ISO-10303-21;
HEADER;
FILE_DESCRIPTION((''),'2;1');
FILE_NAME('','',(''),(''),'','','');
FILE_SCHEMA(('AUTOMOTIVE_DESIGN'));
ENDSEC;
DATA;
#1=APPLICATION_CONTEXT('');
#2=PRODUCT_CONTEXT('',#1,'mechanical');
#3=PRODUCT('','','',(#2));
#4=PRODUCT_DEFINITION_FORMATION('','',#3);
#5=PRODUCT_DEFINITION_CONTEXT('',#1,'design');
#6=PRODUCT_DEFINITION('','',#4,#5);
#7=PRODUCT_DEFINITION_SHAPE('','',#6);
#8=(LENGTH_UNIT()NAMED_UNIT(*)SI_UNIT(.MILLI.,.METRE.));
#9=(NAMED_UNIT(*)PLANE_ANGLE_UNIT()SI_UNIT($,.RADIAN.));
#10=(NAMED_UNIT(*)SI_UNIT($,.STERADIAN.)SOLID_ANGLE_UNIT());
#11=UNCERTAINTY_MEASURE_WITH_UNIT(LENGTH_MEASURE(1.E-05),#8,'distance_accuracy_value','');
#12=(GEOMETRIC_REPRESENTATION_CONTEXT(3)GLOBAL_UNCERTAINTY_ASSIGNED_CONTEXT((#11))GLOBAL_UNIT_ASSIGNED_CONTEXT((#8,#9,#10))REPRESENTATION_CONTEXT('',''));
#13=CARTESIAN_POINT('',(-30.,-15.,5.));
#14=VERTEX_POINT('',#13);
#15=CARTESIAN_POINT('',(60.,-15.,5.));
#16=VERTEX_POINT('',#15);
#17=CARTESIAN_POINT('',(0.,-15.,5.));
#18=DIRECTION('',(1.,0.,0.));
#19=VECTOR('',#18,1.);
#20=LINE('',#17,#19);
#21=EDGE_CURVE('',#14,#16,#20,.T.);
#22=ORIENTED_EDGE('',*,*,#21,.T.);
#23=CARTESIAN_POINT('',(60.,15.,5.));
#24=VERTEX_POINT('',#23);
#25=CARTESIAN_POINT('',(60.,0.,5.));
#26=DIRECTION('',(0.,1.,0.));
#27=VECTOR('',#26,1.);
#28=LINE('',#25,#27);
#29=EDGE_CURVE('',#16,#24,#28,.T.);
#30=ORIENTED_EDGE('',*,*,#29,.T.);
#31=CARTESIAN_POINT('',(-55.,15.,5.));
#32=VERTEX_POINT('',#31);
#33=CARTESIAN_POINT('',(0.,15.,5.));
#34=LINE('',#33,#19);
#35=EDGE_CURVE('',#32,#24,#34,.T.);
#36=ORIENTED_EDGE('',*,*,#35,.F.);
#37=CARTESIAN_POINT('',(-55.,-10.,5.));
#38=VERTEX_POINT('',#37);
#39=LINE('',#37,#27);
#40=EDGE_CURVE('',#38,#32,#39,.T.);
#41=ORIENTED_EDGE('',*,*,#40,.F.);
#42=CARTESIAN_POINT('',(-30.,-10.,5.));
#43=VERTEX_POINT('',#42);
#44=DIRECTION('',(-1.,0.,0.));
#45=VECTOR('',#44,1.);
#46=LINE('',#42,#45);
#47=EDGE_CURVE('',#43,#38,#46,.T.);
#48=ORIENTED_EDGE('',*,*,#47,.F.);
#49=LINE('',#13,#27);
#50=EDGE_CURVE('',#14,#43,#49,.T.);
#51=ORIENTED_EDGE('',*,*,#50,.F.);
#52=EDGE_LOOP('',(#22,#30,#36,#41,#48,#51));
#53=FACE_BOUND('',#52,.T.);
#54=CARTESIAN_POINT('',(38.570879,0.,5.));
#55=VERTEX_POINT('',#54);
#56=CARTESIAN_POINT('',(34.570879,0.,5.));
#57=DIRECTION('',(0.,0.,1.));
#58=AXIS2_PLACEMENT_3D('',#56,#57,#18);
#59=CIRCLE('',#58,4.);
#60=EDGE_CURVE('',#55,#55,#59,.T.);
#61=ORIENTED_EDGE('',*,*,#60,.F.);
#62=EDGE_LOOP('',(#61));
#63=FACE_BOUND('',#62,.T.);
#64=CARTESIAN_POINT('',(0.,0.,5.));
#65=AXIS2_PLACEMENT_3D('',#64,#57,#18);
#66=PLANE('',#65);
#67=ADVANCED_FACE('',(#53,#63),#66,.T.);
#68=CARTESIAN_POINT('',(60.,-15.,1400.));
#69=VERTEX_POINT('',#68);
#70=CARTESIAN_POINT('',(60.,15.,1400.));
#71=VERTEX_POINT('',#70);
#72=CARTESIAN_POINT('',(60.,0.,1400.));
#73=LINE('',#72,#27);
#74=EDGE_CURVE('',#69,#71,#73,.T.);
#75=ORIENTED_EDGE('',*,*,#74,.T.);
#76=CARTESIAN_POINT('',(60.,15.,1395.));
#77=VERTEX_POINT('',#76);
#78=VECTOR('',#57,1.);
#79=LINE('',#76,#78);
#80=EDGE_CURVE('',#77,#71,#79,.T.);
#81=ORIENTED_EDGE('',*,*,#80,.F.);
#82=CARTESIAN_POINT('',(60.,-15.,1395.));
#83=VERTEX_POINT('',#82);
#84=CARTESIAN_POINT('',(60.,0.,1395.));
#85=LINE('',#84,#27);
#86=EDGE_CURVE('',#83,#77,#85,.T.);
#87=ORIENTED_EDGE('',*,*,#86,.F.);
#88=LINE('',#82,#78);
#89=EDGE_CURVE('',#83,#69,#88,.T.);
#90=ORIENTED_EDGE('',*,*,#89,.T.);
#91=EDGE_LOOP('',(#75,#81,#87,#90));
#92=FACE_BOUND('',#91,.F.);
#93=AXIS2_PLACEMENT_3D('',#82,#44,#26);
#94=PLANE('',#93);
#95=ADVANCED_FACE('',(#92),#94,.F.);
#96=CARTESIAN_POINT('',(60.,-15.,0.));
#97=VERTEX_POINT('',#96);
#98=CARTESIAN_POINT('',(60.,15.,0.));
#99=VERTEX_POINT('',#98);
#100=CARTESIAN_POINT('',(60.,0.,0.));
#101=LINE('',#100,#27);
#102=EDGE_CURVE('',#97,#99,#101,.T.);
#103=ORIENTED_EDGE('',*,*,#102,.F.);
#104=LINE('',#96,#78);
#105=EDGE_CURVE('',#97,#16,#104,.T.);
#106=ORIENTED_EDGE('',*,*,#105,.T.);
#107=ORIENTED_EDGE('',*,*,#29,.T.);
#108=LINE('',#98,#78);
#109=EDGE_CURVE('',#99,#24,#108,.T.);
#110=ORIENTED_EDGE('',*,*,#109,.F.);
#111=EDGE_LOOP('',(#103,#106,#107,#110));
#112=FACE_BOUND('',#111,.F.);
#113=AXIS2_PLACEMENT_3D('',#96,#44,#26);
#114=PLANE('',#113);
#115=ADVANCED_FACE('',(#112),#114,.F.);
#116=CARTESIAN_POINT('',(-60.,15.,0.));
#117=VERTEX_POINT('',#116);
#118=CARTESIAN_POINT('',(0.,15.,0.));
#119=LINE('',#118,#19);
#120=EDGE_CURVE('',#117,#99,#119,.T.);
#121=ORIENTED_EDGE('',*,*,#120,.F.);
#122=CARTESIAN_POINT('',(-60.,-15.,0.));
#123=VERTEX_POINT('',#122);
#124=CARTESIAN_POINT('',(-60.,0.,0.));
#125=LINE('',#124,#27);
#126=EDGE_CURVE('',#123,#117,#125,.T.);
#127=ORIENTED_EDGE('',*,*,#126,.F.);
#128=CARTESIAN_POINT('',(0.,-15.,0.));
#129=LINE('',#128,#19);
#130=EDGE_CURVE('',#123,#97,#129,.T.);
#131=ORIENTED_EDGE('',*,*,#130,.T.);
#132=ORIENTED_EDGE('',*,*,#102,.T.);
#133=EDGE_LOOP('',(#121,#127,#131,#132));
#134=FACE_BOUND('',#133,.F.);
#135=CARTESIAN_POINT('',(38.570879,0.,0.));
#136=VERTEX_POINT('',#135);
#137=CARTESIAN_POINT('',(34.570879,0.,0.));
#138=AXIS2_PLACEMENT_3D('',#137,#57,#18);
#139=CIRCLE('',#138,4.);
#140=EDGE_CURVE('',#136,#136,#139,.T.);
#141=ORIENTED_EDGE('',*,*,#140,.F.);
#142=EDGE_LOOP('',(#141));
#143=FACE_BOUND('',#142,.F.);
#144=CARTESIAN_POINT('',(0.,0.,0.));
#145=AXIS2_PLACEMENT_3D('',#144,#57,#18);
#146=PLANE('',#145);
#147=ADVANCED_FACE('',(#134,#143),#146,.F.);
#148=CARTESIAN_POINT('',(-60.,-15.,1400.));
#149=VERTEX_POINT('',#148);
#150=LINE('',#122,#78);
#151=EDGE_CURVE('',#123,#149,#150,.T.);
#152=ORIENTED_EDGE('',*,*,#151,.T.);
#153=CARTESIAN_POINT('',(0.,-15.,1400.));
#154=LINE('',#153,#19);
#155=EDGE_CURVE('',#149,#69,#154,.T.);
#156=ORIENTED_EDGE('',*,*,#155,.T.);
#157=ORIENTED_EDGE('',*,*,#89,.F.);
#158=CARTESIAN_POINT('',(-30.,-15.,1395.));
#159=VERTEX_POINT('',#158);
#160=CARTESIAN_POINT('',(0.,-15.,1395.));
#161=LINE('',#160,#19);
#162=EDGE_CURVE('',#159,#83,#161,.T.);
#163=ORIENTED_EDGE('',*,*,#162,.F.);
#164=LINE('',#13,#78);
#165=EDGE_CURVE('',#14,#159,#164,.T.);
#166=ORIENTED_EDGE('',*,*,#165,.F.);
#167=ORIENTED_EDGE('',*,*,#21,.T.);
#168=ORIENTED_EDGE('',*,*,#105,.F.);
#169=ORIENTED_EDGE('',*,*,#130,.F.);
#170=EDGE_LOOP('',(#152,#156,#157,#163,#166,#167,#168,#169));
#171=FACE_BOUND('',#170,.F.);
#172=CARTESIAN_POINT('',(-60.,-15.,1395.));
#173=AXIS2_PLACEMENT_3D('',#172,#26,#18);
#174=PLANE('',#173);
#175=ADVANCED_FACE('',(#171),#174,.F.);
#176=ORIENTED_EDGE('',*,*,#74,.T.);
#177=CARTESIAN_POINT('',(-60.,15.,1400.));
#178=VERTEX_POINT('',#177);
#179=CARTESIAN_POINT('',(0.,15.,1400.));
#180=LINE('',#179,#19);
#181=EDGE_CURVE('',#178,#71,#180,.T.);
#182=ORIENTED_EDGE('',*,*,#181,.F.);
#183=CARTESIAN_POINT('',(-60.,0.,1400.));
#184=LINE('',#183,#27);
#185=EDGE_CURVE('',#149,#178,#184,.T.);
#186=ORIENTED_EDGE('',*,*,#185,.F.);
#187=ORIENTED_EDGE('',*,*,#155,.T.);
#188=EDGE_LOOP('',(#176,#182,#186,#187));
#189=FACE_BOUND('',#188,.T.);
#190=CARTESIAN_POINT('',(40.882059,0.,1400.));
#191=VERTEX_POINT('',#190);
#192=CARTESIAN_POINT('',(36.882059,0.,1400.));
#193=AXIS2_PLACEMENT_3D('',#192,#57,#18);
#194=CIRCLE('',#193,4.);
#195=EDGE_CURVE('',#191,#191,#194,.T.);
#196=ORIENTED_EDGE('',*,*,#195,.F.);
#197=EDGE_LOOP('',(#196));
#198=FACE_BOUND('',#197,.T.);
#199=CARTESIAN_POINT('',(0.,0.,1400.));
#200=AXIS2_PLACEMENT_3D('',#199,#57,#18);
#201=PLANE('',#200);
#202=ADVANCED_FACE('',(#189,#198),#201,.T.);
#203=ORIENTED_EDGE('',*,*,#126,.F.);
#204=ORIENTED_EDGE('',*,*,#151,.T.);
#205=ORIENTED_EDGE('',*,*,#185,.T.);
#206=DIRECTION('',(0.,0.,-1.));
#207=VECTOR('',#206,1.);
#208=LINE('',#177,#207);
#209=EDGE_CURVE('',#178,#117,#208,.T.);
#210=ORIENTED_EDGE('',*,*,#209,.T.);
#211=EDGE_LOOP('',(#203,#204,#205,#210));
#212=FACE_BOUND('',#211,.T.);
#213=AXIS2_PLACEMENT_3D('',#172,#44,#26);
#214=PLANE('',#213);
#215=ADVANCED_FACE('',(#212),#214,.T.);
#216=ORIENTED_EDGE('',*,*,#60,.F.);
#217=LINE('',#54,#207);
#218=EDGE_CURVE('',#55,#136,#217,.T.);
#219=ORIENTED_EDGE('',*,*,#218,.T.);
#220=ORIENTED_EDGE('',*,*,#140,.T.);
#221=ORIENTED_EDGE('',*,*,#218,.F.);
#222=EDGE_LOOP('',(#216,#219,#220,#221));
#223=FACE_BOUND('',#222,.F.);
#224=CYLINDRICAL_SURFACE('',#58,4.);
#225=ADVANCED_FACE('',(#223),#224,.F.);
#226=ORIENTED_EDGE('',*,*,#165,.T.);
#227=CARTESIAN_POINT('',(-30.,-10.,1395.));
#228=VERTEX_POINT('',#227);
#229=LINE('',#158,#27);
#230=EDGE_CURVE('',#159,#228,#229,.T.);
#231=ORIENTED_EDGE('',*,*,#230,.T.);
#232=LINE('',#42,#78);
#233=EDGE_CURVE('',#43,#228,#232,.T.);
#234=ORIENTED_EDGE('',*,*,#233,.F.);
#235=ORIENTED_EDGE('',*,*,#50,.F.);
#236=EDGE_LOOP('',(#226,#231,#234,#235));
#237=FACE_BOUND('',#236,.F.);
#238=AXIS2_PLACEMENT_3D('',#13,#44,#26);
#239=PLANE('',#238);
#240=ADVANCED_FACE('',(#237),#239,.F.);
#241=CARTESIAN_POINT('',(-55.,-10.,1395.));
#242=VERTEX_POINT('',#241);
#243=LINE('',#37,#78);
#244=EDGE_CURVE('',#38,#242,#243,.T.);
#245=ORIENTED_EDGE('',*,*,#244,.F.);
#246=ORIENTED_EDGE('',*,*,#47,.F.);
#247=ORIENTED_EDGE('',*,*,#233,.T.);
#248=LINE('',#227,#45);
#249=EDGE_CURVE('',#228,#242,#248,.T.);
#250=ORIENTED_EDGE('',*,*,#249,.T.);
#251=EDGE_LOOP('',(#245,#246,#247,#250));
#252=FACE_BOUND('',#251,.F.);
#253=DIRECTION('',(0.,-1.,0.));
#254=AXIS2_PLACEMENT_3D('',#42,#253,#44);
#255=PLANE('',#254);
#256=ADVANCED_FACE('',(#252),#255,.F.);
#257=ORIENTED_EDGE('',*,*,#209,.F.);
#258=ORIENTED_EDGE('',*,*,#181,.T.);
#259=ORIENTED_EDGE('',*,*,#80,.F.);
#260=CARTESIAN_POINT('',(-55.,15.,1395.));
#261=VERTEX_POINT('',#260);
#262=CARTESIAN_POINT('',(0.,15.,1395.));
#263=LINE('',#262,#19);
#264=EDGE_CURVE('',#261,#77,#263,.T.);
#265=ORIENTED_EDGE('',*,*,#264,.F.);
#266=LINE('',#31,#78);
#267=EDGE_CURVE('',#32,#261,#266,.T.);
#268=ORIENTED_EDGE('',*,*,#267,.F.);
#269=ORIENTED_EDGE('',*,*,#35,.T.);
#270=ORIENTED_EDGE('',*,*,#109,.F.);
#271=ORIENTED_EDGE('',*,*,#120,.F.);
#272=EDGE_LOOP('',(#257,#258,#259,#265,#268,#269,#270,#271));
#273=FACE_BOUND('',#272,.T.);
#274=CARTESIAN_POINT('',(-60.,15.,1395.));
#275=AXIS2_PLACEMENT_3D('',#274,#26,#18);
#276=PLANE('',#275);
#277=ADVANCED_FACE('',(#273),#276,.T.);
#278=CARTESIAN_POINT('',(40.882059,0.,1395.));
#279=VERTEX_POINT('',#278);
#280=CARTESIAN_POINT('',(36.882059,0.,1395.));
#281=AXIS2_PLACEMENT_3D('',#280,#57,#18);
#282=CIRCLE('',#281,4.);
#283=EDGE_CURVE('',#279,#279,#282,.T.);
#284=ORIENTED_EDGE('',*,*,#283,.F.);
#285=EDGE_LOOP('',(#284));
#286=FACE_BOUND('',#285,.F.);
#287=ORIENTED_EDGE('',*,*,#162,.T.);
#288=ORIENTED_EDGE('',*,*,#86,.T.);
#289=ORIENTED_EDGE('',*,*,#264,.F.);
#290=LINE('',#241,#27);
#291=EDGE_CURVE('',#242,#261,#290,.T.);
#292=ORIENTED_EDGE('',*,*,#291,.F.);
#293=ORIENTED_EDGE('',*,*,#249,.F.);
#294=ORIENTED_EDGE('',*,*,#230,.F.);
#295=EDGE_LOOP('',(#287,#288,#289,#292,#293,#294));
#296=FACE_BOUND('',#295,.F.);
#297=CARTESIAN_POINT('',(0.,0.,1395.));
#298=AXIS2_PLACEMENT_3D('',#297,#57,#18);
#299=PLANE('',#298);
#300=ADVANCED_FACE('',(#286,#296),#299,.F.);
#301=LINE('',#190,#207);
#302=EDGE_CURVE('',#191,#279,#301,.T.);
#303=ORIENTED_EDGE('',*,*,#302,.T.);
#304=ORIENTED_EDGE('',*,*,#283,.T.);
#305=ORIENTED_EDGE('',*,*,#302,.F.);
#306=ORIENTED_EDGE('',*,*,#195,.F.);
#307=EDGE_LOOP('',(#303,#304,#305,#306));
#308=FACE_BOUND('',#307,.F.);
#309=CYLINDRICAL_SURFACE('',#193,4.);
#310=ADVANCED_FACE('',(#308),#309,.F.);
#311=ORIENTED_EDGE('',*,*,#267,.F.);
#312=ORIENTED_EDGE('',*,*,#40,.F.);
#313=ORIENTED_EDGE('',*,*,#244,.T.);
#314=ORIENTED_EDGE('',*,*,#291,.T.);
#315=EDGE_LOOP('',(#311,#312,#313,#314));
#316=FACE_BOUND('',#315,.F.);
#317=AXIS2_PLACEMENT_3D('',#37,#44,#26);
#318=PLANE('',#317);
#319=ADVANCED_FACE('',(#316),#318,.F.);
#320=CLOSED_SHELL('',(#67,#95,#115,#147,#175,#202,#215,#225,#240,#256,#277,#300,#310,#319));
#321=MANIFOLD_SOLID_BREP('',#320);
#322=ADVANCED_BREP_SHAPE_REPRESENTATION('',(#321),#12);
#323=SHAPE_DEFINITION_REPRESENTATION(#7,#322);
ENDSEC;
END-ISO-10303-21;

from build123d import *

# Parameters (mm, degrees)
F0_W     = 120
F0_H     = 30
F1_DEPTH = 5
F3_DEPTH = 1390
F4_W     = 120
F4_H     = 30
F5_DEPTH = 5
F6_R     = 4
F7_DEPTH = 25
F8_R     = 4
F9_DEPTH = 25


with BuildPart() as f1:
    # F0 (on Top) → F1 (new body)
    with BuildSketch(Plane.XY):
        Rectangle(F0_W, F0_H)
    extrude(amount=F1_DEPTH)

    # F2 (on face) → F3 (join)
    with BuildSketch(Plane.XY.offset(5)):
        Polygon((-55, 15), (-60, 15), (-60, -15), (-30, -15), (-30, -10), (-55, -10), align=None)
    extrude(amount=F3_DEPTH)

    # F4 (on face) → F5 (join)
    with BuildSketch(Plane.XY.offset(1395)):
        Rectangle(F4_W, F4_H)
    extrude(amount=F5_DEPTH)

    # F6 (on face) → F7 (cut)
    with BuildSketch(Plane.XY.offset(1400)):
        with Locations((36.882059, 0)):
            Circle(F6_R)
    extrude(amount=-F7_DEPTH, mode=Mode.SUBTRACT)

    # F8 (on face) → F9 (cut)
    with BuildSketch(Plane.XY.offset(5)):
        with Locations((34.570879, 0)):
            Circle(F8_R)
    extrude(amount=-F9_DEPTH, mode=Mode.SUBTRACT)


solid = f1.part
